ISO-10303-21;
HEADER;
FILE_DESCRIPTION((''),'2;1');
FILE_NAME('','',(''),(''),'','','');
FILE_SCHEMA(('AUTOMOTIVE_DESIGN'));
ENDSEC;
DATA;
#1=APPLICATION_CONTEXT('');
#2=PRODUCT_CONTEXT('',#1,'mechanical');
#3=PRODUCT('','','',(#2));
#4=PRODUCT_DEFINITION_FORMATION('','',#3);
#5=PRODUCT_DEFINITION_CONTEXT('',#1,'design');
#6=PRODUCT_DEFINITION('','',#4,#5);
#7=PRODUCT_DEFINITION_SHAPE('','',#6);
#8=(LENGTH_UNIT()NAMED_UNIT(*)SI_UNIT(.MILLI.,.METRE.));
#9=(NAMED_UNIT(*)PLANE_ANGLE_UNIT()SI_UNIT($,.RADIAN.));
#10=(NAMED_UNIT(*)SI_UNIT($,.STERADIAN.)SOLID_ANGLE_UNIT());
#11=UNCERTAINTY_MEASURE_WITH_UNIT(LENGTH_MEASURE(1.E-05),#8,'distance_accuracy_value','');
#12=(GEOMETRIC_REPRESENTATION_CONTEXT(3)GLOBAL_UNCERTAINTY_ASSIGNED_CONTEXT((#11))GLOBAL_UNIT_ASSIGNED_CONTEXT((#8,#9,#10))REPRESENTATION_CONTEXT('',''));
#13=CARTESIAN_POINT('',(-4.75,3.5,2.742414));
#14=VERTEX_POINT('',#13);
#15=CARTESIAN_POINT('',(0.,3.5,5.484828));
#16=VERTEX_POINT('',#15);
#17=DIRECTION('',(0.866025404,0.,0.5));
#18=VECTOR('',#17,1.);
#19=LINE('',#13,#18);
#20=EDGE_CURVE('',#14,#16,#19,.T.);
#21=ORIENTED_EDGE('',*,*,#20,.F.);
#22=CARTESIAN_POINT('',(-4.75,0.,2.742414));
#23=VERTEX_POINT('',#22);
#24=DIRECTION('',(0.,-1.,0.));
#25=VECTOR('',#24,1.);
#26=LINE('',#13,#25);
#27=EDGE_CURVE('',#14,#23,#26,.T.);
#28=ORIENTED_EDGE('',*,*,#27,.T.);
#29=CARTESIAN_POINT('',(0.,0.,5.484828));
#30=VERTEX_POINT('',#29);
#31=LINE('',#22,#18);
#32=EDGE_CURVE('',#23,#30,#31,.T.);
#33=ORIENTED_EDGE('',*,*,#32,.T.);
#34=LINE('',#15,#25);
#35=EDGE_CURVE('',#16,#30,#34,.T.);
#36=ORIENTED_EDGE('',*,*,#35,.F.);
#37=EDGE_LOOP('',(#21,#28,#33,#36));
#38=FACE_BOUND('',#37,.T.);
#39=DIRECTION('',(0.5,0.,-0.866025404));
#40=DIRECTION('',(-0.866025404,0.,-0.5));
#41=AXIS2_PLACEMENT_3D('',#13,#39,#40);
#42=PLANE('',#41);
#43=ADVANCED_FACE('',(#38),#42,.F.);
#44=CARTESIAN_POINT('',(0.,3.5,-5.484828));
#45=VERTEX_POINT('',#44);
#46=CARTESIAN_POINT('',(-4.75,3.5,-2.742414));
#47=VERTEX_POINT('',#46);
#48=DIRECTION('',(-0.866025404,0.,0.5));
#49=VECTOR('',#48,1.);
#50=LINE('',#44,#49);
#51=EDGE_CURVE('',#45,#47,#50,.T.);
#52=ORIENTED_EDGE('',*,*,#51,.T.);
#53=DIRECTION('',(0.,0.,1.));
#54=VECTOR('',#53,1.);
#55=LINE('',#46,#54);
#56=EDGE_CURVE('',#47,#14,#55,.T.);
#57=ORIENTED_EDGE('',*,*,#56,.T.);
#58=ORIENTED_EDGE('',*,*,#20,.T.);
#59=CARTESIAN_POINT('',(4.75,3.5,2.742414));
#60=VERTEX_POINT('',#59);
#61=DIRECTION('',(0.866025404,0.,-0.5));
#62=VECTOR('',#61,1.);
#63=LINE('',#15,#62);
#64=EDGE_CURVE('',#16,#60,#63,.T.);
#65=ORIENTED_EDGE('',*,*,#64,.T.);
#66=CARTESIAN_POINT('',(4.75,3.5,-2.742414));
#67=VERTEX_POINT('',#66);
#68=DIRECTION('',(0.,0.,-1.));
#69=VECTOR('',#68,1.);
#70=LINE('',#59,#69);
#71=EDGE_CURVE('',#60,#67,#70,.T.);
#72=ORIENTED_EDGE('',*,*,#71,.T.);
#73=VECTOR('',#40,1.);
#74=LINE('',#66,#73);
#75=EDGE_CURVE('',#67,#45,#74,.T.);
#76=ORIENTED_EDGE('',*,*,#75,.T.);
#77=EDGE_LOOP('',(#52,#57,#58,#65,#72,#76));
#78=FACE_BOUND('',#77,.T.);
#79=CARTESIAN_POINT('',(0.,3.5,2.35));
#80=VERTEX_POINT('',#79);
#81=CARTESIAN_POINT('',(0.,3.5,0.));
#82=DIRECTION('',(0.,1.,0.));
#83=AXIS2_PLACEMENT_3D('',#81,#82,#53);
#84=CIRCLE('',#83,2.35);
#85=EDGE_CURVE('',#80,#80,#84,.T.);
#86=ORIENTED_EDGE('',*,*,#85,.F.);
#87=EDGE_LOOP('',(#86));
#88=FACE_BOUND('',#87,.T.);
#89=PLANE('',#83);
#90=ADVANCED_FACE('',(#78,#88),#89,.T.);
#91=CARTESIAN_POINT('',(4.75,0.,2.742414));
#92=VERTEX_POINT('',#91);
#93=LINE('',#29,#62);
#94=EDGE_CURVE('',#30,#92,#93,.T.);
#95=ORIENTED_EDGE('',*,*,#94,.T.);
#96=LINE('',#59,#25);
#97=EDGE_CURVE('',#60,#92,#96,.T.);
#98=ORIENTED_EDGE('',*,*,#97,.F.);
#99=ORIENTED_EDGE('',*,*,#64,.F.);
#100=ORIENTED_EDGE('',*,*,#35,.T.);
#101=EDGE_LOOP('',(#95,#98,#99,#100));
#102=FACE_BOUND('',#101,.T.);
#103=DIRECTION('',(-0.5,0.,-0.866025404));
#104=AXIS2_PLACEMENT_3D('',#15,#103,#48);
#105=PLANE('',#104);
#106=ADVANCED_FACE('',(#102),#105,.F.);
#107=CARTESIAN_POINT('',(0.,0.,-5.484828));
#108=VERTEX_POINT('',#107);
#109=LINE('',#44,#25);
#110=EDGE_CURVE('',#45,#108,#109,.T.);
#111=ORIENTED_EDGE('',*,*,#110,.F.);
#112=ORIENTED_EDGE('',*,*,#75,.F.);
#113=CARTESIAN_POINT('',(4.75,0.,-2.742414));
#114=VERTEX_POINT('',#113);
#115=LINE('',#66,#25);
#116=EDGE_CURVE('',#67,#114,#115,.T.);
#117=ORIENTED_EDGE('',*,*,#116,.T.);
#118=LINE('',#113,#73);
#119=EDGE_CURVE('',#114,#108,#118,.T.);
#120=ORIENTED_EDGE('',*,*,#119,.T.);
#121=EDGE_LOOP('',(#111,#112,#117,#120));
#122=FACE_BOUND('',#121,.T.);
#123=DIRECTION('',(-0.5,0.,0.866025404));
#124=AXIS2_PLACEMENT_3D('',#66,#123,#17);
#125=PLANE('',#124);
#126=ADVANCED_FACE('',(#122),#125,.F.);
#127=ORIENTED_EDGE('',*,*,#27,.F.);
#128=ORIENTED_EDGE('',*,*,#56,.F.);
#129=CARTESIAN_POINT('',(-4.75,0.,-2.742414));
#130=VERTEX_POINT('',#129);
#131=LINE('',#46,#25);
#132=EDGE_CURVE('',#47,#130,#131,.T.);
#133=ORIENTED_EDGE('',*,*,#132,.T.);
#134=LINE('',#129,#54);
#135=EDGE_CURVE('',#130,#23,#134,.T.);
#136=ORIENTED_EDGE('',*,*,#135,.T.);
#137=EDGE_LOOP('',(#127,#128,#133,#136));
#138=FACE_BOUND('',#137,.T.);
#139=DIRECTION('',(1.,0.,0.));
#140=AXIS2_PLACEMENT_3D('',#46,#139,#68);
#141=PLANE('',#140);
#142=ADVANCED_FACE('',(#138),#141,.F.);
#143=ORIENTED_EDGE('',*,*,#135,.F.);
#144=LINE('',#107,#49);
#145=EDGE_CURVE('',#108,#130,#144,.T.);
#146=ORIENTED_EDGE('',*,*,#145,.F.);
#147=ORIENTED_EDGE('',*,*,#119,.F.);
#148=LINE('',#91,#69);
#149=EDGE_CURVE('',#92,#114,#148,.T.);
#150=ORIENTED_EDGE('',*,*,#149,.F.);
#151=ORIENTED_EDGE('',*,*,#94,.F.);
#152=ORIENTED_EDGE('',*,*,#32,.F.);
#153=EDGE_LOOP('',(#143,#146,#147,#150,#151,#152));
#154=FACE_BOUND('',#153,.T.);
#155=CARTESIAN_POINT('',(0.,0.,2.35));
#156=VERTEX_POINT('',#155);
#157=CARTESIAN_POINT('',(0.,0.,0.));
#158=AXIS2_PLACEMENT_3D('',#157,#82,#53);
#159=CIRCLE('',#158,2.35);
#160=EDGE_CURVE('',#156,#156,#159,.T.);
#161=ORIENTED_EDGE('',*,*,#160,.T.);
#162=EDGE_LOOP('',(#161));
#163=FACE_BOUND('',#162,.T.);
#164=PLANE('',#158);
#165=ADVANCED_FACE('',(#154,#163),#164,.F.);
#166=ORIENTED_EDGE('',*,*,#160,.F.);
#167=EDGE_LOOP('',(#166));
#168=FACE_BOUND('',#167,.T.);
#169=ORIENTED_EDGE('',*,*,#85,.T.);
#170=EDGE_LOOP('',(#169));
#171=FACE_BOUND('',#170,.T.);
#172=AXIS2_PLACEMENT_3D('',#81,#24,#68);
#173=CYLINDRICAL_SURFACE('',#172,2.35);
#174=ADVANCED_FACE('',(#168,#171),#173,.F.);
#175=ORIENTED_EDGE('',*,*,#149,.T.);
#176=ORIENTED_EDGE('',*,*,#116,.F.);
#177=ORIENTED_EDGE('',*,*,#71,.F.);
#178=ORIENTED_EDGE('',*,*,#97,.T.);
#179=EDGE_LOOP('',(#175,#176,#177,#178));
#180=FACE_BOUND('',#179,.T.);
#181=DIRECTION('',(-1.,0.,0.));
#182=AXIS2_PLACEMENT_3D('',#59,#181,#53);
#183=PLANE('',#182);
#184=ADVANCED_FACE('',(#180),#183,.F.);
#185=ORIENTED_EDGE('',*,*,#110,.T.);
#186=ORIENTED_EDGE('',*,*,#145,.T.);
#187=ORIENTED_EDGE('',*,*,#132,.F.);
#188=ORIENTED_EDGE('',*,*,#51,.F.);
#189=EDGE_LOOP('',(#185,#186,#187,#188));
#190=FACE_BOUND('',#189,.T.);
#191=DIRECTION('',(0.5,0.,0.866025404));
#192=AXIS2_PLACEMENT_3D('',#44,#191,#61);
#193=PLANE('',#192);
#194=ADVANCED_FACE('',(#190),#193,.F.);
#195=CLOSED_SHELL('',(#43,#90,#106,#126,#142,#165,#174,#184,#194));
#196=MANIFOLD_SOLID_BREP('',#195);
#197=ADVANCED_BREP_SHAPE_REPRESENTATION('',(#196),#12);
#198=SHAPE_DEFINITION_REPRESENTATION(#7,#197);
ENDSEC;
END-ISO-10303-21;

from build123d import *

# Parameters (mm, degrees)
CROQUIS1_R              = 2.35
SALIENTE_EXTRUIR1_DEPTH = 3.5


with BuildPart() as part:
    # Croquis1 → Saliente-Extruir1 (new body)
    with BuildSketch(Plane(origin=(0, 0, 0), x_dir=(1, 0, 0), z_dir=(0, 1, 0))):
        Polygon((0, 5.484827557), (-4.75, 2.742413779), (-4.75, -2.742413779), (0, -5.484827557), (4.75, -2.742413779), (4.75, 2.742413779), align=None)
        Circle(CROQUIS1_R, mode=Mode.SUBTRACT)
    extrude(amount=SALIENTE_EXTRUIR1_DEPTH)


solid = part.part
